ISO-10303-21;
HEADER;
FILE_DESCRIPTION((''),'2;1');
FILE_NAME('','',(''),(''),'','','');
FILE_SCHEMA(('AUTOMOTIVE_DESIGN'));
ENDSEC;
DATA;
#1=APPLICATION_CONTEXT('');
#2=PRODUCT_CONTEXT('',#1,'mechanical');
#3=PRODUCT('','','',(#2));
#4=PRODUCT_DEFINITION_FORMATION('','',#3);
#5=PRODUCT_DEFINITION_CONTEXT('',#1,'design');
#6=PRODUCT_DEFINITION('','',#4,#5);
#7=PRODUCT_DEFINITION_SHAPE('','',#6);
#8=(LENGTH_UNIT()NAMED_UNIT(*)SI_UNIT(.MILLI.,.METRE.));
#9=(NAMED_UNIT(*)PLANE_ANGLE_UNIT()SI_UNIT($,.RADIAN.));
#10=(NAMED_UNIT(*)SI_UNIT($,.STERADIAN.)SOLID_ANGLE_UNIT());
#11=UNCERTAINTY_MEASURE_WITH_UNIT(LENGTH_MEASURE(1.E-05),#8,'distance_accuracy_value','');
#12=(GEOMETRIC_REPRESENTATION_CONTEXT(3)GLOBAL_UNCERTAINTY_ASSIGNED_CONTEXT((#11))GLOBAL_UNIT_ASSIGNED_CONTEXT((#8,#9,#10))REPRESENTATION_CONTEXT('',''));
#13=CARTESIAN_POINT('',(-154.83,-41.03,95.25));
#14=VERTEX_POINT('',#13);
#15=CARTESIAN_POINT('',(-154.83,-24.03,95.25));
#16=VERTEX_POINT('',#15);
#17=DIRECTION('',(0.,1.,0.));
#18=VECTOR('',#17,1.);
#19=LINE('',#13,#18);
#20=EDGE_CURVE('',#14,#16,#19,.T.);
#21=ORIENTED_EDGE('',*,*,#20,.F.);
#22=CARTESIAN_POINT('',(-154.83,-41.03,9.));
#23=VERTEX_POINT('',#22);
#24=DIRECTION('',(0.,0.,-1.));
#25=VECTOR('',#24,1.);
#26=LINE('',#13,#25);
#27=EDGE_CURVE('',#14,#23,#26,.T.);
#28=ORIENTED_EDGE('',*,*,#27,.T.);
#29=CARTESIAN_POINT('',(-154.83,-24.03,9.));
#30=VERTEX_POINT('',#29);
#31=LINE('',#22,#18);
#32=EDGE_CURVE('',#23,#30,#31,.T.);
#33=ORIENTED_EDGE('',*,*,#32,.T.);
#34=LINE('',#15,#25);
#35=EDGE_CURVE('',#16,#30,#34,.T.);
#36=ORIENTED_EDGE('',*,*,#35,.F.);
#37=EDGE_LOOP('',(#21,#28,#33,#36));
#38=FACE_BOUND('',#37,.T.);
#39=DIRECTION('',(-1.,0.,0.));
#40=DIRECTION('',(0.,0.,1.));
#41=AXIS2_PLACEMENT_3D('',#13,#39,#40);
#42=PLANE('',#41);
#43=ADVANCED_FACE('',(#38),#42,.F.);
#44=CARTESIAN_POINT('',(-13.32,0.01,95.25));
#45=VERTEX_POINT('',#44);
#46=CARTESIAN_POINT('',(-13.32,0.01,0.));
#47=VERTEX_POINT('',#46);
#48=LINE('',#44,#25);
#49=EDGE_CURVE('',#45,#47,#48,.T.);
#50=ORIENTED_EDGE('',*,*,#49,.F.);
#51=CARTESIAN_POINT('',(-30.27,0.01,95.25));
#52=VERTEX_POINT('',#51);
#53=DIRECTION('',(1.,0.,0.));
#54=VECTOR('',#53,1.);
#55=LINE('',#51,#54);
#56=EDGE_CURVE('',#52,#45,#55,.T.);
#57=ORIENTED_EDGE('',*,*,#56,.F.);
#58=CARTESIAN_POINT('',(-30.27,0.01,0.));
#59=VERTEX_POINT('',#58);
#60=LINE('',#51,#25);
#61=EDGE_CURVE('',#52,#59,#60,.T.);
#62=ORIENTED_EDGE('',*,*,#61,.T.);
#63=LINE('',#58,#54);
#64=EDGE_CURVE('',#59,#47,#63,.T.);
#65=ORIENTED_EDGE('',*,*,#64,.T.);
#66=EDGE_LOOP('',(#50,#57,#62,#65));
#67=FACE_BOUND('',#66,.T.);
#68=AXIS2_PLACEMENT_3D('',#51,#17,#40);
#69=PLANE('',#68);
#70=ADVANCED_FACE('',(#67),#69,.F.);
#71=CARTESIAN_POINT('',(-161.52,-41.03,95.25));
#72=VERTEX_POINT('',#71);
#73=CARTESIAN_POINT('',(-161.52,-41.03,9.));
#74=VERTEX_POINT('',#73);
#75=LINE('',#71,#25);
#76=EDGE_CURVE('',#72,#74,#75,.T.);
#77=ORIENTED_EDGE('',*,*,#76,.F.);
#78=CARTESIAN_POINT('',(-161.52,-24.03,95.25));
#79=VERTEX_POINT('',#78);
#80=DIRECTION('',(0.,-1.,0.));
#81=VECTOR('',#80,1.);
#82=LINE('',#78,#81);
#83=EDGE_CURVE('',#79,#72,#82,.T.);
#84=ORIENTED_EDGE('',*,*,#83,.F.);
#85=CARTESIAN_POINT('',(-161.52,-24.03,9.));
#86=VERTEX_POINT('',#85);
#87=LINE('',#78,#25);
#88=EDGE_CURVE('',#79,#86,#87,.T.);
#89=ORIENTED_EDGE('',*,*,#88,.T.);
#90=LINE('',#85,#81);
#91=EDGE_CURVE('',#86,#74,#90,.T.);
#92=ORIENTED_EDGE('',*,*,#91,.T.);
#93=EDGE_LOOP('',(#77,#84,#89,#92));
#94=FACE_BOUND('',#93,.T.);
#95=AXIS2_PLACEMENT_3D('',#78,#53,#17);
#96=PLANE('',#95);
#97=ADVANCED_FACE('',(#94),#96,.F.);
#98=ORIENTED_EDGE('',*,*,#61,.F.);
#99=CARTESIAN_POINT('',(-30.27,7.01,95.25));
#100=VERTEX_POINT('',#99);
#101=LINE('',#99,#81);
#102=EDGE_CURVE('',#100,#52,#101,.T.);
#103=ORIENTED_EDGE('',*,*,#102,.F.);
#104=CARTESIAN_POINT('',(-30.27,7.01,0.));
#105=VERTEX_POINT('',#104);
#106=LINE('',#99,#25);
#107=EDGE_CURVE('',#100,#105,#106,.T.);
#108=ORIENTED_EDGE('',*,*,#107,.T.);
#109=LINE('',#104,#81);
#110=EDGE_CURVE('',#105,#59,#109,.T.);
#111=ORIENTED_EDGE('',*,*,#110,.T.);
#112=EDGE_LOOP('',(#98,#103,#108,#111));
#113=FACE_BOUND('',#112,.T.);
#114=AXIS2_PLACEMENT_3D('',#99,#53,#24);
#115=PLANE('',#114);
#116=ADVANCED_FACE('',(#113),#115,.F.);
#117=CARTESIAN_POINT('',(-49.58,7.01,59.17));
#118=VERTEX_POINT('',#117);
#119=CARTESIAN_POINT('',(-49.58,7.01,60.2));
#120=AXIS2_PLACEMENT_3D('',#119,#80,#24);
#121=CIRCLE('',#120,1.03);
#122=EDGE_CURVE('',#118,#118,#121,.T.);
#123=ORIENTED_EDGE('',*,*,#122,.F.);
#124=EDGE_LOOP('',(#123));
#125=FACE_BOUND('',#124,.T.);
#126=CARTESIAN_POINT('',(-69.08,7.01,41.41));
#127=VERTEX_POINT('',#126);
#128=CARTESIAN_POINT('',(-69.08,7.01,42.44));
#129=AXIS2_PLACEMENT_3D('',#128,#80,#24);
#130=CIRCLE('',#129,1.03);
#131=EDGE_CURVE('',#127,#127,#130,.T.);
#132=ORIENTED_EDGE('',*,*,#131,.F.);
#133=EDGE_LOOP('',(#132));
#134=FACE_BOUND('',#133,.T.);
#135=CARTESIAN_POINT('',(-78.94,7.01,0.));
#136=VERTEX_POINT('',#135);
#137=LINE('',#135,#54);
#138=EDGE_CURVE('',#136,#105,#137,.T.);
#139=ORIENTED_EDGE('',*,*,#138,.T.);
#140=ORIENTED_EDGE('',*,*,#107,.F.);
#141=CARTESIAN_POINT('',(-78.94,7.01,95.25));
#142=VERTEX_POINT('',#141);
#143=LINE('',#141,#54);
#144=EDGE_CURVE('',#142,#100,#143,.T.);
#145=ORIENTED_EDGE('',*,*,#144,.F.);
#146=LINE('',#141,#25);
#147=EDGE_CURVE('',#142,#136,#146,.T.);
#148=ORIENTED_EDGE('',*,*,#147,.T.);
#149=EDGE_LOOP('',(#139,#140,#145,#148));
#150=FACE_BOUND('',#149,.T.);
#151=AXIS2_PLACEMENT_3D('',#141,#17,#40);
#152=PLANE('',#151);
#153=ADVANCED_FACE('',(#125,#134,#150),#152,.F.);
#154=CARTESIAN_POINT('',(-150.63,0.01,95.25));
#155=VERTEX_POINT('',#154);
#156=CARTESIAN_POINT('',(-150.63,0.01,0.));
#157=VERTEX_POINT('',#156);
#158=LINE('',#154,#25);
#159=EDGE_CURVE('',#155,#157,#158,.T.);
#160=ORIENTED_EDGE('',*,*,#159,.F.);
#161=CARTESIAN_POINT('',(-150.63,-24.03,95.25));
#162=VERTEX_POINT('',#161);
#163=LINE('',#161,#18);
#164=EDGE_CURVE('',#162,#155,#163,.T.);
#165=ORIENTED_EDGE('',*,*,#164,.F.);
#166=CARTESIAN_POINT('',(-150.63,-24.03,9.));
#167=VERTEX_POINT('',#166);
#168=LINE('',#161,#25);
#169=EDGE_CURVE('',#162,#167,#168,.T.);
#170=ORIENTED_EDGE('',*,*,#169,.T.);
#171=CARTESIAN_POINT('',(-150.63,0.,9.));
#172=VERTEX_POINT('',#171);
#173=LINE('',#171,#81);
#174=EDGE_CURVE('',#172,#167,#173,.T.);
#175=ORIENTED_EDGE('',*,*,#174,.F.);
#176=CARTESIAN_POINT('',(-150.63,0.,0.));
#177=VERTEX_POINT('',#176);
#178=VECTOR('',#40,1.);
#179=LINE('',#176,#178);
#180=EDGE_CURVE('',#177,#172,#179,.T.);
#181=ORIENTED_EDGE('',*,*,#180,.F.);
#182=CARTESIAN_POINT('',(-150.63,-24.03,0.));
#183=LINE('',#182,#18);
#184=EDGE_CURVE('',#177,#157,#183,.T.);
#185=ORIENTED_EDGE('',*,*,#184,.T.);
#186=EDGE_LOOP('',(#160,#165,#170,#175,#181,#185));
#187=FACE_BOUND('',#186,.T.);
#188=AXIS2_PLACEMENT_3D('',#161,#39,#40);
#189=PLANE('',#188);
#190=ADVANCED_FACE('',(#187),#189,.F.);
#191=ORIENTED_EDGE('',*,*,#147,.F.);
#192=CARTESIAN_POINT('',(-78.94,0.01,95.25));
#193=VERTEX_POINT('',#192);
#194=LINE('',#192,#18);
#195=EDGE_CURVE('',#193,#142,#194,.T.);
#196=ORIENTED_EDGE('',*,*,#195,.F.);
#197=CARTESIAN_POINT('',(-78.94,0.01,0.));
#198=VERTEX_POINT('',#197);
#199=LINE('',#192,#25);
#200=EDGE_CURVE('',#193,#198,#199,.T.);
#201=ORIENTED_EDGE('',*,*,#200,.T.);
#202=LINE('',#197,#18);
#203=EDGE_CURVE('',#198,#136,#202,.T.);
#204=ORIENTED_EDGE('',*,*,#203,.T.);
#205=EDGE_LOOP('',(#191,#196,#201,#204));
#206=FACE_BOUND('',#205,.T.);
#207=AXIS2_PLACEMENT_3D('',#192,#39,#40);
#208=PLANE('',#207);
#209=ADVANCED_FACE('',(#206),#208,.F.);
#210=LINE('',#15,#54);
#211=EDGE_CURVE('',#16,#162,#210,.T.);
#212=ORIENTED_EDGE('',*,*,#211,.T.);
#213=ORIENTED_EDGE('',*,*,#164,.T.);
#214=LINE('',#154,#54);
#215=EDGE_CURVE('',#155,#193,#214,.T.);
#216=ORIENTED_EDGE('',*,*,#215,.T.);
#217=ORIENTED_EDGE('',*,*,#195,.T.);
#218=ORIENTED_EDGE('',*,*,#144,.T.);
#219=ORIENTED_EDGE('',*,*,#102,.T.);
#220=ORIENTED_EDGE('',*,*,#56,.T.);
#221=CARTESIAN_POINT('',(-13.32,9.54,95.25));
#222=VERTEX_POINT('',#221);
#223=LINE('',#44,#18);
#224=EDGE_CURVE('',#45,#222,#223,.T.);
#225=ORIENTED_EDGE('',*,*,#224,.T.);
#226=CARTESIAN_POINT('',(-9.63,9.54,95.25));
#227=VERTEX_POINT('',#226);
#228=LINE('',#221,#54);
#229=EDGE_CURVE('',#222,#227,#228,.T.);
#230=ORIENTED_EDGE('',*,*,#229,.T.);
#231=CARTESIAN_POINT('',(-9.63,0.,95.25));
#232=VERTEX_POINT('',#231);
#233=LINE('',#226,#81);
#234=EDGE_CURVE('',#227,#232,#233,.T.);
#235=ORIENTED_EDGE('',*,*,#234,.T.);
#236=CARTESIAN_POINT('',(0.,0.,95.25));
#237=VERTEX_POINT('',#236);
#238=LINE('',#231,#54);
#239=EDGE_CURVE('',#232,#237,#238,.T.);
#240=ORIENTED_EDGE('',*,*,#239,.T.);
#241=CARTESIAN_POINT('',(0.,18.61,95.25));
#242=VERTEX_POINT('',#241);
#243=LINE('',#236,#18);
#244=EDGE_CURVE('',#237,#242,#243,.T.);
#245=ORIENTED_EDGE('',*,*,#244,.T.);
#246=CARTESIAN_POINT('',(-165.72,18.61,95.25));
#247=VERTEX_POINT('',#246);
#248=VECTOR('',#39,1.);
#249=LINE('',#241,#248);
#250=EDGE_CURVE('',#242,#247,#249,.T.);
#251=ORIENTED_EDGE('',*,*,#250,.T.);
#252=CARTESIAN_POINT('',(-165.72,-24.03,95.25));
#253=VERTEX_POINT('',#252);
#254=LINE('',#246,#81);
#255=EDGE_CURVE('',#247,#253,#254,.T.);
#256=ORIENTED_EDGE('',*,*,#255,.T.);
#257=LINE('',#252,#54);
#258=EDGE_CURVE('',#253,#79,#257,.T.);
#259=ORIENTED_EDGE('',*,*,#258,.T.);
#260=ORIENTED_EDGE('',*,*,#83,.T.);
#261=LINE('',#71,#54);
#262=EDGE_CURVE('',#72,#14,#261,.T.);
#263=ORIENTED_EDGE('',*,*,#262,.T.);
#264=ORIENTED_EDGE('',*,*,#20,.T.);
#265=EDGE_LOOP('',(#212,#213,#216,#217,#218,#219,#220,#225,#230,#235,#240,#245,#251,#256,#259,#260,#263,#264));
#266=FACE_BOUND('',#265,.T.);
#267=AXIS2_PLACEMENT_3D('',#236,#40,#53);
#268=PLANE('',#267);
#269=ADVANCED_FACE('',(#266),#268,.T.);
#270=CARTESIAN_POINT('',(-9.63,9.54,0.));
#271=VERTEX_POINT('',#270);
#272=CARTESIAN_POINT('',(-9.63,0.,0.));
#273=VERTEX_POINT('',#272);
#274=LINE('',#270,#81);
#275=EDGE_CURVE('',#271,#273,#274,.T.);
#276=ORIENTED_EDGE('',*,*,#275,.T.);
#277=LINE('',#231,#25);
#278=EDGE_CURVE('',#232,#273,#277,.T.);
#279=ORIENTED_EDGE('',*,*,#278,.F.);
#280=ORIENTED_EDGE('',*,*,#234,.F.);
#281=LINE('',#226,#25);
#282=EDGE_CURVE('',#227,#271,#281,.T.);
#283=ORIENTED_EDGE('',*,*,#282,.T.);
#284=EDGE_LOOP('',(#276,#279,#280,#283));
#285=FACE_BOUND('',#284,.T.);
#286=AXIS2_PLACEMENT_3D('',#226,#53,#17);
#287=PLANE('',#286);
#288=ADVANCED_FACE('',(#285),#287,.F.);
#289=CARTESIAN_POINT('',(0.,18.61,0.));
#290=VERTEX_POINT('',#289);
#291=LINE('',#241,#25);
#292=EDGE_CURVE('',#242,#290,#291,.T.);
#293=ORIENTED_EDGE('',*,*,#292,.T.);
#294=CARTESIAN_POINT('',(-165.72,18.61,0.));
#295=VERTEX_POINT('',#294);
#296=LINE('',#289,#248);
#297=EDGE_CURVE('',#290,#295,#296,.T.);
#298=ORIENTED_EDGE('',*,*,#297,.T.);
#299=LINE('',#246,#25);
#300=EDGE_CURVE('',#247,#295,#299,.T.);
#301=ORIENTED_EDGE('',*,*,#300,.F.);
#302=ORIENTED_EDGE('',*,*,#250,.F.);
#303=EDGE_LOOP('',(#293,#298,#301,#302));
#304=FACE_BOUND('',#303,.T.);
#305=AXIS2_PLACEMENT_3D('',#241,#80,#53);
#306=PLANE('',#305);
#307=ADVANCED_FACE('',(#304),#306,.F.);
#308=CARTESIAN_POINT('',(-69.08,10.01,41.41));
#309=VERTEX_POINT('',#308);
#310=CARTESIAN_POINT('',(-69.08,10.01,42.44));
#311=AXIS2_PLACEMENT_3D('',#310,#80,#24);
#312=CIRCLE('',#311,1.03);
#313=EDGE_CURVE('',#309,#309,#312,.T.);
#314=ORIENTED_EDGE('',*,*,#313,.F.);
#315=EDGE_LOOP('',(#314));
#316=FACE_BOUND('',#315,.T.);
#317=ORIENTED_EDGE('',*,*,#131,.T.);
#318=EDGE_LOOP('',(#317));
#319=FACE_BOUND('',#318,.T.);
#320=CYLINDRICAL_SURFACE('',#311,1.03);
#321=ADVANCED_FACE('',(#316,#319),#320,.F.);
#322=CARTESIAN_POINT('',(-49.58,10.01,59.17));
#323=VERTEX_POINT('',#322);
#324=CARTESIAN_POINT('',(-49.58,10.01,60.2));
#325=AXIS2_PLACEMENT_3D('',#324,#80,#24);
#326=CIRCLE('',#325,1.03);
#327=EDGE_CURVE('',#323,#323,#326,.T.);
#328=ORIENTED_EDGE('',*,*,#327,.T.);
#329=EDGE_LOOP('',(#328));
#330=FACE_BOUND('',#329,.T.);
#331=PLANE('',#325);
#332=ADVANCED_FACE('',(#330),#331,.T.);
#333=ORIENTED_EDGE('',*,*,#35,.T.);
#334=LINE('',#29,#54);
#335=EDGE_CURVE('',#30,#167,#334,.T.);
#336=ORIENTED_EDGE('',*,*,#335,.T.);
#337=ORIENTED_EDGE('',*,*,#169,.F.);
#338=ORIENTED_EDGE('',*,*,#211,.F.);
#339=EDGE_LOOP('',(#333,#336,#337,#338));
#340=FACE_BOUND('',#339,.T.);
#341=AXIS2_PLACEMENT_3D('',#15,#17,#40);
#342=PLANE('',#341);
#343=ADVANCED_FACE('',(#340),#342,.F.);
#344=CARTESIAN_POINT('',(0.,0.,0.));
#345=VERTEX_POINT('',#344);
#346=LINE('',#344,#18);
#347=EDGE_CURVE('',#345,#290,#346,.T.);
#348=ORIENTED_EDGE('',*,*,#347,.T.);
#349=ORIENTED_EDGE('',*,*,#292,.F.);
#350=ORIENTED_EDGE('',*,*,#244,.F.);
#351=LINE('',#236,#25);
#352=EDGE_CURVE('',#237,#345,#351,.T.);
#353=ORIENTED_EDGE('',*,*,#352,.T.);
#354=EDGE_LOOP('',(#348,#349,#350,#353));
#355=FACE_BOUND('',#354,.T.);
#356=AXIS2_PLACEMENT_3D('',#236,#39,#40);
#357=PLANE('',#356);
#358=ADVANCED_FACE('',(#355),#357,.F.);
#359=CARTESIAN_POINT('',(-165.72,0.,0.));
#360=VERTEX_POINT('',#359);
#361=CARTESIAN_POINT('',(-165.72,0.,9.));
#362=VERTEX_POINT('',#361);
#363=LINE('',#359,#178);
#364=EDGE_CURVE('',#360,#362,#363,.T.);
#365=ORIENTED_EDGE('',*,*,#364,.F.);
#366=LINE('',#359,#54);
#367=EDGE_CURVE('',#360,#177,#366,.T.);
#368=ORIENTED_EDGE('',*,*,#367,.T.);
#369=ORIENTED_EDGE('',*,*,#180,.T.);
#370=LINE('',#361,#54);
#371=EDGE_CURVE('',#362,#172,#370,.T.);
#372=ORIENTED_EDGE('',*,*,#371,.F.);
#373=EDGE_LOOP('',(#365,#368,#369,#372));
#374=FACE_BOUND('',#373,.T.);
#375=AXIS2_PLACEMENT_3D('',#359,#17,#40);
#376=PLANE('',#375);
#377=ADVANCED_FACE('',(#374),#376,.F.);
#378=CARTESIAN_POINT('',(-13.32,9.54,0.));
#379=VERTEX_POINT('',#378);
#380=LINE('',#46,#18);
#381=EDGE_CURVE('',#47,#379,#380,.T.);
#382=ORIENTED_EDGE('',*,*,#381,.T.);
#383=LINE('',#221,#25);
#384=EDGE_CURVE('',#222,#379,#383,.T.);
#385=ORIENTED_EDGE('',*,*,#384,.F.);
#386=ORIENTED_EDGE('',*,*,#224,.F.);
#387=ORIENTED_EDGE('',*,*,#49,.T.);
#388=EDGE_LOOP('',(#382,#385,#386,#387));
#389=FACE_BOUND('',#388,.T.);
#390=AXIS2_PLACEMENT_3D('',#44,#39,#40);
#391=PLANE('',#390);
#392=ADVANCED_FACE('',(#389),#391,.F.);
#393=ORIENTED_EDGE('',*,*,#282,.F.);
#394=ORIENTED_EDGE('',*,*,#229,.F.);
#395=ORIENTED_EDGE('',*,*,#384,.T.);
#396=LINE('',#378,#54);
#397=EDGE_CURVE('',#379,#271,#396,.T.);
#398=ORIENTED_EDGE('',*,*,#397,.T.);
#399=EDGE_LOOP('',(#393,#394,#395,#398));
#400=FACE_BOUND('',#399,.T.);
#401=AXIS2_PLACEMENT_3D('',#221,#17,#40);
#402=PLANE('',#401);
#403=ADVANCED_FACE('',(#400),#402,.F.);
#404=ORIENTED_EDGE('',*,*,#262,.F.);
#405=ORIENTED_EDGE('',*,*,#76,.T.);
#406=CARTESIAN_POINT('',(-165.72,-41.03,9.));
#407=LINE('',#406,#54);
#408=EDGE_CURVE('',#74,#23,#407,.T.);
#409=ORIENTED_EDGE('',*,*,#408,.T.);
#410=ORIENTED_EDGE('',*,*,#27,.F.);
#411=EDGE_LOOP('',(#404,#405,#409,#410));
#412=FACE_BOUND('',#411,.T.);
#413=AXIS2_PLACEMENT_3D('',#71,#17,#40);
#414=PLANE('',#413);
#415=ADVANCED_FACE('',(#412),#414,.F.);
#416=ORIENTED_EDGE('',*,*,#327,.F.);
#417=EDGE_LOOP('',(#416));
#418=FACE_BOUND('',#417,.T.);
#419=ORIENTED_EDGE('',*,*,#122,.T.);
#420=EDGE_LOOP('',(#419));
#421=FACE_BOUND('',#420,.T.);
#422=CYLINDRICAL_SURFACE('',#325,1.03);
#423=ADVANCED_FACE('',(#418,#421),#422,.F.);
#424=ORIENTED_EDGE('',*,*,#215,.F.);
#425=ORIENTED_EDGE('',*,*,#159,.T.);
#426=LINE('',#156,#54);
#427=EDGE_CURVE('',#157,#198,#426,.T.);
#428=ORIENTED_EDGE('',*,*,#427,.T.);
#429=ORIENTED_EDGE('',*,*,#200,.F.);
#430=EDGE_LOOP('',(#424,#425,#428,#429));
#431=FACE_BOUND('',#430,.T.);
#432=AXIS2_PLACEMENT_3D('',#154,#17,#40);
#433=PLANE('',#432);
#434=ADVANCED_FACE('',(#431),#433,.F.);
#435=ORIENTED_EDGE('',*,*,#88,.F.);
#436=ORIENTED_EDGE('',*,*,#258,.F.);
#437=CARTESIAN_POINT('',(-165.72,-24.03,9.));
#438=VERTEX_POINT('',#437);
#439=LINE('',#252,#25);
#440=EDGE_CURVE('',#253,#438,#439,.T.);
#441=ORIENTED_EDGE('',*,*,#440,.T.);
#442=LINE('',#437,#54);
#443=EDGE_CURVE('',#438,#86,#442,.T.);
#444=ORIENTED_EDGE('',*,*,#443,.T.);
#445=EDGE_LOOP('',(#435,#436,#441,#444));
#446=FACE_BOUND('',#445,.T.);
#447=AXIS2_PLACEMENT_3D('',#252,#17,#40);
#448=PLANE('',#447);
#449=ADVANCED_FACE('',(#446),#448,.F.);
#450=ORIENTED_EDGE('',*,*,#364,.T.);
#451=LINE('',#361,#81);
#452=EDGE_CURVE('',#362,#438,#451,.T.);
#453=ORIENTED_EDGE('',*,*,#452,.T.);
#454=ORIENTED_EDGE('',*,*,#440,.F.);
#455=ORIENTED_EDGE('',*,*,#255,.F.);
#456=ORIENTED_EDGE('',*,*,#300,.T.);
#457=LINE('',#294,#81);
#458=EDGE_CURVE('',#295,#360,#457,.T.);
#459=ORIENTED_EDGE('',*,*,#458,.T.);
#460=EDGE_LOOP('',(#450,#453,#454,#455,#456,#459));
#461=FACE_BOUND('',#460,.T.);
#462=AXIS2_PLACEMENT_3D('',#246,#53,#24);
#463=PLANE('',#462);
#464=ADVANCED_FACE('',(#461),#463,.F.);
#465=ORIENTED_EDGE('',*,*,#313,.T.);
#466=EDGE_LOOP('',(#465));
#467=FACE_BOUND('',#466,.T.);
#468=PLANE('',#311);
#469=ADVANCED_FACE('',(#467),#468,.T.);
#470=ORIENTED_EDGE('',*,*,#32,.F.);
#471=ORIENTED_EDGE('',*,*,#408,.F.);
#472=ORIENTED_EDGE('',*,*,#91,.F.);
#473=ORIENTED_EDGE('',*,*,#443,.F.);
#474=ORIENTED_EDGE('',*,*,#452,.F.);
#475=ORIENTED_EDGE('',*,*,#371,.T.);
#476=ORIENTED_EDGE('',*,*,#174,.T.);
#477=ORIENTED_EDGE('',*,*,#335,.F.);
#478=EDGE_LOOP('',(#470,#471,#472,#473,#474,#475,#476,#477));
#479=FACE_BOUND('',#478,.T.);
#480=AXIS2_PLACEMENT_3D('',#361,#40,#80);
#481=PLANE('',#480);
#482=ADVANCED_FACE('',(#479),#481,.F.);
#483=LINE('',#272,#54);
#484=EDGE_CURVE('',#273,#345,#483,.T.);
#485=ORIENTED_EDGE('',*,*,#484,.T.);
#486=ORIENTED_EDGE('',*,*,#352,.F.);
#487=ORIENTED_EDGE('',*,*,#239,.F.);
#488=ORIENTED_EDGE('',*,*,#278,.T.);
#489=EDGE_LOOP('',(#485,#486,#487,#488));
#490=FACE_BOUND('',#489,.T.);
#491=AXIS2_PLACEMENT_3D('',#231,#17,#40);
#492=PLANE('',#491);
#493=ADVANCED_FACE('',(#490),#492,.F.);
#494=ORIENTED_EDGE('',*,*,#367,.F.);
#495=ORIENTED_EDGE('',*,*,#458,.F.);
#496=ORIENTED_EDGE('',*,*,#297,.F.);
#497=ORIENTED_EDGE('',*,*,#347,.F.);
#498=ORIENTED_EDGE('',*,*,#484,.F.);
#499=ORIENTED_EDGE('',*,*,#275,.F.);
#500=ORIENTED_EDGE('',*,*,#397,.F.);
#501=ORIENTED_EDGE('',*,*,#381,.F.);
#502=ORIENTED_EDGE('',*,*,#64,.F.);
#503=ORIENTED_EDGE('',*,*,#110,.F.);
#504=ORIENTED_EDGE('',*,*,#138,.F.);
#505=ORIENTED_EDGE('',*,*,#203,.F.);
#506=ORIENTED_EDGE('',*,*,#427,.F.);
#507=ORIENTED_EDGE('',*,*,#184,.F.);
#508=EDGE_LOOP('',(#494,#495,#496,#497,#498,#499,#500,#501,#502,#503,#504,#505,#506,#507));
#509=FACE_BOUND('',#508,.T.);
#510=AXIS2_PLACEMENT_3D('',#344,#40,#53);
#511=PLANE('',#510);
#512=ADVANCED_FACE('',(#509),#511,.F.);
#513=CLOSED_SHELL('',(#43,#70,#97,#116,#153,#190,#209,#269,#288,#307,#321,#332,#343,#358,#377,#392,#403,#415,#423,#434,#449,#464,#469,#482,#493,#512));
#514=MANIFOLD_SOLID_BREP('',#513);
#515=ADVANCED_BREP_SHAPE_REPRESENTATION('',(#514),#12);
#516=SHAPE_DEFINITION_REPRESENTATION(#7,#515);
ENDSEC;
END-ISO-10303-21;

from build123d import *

# Parameters (mm, degrees)
BOSS_EXTRUDE1_DEPTH = 95.25
SKETCH3_W           = 9
SKETCH3_H           = 41.03
CUT_EXTRUDE1_DEPTH  = 183.880891019
SKETCH4_R           = 1.03
CUT_EXTRUDE2_DEPTH  = 3


with BuildPart() as part:
    # Sketch1 → Boss-Extrude1 (new body)
    with BuildSketch(Plane.XY):
        Polygon((0, 0), (0, 18.61), (-165.72, 18.61), (-165.72, -24.03), (-161.52, -24.03), (-161.52, -41.03), (-154.83, -41.03), (-154.83, -24.03), (-150.63, -24.03), (-150.63, 0.01), (-78.94, 0.01), (-78.94, 7.01), (-30.27, 7.01), (-30.27, 0.01), (-13.32, 0.01), (-13.32, 9.54), (-9.63, 9.54), (-9.63, 0), align=None)
    extrude(amount=BOSS_EXTRUDE1_DEPTH)

    # Sketch3 → Cut-Extrude1 (cut, through all)
    with BuildSketch(Plane(origin=(-150.63, 0, 0), x_dir=(0, 0, -1), z_dir=(1, 0, 0))):
        with Locations((-4.5, -20.515)):
            Rectangle(SKETCH3_W, SKETCH3_H)
    extrude(amount=-CUT_EXTRUDE1_DEPTH, mode=Mode.SUBTRACT)

    # Sketch4 → Cut-Extrude2 (cut)
    with BuildSketch(Plane.XZ.offset(-7.01)):
        with Locations(Location((-69.08, 42.44, 0), (0, 0, 270))):
            Circle(SKETCH4_R)
        with Locations(Location((-49.58, 60.2, 0), (0, 0, 270))):
            Circle(SKETCH4_R)
    extrude(amount=-CUT_EXTRUDE2_DEPTH, mode=Mode.SUBTRACT)


solid = part.part
